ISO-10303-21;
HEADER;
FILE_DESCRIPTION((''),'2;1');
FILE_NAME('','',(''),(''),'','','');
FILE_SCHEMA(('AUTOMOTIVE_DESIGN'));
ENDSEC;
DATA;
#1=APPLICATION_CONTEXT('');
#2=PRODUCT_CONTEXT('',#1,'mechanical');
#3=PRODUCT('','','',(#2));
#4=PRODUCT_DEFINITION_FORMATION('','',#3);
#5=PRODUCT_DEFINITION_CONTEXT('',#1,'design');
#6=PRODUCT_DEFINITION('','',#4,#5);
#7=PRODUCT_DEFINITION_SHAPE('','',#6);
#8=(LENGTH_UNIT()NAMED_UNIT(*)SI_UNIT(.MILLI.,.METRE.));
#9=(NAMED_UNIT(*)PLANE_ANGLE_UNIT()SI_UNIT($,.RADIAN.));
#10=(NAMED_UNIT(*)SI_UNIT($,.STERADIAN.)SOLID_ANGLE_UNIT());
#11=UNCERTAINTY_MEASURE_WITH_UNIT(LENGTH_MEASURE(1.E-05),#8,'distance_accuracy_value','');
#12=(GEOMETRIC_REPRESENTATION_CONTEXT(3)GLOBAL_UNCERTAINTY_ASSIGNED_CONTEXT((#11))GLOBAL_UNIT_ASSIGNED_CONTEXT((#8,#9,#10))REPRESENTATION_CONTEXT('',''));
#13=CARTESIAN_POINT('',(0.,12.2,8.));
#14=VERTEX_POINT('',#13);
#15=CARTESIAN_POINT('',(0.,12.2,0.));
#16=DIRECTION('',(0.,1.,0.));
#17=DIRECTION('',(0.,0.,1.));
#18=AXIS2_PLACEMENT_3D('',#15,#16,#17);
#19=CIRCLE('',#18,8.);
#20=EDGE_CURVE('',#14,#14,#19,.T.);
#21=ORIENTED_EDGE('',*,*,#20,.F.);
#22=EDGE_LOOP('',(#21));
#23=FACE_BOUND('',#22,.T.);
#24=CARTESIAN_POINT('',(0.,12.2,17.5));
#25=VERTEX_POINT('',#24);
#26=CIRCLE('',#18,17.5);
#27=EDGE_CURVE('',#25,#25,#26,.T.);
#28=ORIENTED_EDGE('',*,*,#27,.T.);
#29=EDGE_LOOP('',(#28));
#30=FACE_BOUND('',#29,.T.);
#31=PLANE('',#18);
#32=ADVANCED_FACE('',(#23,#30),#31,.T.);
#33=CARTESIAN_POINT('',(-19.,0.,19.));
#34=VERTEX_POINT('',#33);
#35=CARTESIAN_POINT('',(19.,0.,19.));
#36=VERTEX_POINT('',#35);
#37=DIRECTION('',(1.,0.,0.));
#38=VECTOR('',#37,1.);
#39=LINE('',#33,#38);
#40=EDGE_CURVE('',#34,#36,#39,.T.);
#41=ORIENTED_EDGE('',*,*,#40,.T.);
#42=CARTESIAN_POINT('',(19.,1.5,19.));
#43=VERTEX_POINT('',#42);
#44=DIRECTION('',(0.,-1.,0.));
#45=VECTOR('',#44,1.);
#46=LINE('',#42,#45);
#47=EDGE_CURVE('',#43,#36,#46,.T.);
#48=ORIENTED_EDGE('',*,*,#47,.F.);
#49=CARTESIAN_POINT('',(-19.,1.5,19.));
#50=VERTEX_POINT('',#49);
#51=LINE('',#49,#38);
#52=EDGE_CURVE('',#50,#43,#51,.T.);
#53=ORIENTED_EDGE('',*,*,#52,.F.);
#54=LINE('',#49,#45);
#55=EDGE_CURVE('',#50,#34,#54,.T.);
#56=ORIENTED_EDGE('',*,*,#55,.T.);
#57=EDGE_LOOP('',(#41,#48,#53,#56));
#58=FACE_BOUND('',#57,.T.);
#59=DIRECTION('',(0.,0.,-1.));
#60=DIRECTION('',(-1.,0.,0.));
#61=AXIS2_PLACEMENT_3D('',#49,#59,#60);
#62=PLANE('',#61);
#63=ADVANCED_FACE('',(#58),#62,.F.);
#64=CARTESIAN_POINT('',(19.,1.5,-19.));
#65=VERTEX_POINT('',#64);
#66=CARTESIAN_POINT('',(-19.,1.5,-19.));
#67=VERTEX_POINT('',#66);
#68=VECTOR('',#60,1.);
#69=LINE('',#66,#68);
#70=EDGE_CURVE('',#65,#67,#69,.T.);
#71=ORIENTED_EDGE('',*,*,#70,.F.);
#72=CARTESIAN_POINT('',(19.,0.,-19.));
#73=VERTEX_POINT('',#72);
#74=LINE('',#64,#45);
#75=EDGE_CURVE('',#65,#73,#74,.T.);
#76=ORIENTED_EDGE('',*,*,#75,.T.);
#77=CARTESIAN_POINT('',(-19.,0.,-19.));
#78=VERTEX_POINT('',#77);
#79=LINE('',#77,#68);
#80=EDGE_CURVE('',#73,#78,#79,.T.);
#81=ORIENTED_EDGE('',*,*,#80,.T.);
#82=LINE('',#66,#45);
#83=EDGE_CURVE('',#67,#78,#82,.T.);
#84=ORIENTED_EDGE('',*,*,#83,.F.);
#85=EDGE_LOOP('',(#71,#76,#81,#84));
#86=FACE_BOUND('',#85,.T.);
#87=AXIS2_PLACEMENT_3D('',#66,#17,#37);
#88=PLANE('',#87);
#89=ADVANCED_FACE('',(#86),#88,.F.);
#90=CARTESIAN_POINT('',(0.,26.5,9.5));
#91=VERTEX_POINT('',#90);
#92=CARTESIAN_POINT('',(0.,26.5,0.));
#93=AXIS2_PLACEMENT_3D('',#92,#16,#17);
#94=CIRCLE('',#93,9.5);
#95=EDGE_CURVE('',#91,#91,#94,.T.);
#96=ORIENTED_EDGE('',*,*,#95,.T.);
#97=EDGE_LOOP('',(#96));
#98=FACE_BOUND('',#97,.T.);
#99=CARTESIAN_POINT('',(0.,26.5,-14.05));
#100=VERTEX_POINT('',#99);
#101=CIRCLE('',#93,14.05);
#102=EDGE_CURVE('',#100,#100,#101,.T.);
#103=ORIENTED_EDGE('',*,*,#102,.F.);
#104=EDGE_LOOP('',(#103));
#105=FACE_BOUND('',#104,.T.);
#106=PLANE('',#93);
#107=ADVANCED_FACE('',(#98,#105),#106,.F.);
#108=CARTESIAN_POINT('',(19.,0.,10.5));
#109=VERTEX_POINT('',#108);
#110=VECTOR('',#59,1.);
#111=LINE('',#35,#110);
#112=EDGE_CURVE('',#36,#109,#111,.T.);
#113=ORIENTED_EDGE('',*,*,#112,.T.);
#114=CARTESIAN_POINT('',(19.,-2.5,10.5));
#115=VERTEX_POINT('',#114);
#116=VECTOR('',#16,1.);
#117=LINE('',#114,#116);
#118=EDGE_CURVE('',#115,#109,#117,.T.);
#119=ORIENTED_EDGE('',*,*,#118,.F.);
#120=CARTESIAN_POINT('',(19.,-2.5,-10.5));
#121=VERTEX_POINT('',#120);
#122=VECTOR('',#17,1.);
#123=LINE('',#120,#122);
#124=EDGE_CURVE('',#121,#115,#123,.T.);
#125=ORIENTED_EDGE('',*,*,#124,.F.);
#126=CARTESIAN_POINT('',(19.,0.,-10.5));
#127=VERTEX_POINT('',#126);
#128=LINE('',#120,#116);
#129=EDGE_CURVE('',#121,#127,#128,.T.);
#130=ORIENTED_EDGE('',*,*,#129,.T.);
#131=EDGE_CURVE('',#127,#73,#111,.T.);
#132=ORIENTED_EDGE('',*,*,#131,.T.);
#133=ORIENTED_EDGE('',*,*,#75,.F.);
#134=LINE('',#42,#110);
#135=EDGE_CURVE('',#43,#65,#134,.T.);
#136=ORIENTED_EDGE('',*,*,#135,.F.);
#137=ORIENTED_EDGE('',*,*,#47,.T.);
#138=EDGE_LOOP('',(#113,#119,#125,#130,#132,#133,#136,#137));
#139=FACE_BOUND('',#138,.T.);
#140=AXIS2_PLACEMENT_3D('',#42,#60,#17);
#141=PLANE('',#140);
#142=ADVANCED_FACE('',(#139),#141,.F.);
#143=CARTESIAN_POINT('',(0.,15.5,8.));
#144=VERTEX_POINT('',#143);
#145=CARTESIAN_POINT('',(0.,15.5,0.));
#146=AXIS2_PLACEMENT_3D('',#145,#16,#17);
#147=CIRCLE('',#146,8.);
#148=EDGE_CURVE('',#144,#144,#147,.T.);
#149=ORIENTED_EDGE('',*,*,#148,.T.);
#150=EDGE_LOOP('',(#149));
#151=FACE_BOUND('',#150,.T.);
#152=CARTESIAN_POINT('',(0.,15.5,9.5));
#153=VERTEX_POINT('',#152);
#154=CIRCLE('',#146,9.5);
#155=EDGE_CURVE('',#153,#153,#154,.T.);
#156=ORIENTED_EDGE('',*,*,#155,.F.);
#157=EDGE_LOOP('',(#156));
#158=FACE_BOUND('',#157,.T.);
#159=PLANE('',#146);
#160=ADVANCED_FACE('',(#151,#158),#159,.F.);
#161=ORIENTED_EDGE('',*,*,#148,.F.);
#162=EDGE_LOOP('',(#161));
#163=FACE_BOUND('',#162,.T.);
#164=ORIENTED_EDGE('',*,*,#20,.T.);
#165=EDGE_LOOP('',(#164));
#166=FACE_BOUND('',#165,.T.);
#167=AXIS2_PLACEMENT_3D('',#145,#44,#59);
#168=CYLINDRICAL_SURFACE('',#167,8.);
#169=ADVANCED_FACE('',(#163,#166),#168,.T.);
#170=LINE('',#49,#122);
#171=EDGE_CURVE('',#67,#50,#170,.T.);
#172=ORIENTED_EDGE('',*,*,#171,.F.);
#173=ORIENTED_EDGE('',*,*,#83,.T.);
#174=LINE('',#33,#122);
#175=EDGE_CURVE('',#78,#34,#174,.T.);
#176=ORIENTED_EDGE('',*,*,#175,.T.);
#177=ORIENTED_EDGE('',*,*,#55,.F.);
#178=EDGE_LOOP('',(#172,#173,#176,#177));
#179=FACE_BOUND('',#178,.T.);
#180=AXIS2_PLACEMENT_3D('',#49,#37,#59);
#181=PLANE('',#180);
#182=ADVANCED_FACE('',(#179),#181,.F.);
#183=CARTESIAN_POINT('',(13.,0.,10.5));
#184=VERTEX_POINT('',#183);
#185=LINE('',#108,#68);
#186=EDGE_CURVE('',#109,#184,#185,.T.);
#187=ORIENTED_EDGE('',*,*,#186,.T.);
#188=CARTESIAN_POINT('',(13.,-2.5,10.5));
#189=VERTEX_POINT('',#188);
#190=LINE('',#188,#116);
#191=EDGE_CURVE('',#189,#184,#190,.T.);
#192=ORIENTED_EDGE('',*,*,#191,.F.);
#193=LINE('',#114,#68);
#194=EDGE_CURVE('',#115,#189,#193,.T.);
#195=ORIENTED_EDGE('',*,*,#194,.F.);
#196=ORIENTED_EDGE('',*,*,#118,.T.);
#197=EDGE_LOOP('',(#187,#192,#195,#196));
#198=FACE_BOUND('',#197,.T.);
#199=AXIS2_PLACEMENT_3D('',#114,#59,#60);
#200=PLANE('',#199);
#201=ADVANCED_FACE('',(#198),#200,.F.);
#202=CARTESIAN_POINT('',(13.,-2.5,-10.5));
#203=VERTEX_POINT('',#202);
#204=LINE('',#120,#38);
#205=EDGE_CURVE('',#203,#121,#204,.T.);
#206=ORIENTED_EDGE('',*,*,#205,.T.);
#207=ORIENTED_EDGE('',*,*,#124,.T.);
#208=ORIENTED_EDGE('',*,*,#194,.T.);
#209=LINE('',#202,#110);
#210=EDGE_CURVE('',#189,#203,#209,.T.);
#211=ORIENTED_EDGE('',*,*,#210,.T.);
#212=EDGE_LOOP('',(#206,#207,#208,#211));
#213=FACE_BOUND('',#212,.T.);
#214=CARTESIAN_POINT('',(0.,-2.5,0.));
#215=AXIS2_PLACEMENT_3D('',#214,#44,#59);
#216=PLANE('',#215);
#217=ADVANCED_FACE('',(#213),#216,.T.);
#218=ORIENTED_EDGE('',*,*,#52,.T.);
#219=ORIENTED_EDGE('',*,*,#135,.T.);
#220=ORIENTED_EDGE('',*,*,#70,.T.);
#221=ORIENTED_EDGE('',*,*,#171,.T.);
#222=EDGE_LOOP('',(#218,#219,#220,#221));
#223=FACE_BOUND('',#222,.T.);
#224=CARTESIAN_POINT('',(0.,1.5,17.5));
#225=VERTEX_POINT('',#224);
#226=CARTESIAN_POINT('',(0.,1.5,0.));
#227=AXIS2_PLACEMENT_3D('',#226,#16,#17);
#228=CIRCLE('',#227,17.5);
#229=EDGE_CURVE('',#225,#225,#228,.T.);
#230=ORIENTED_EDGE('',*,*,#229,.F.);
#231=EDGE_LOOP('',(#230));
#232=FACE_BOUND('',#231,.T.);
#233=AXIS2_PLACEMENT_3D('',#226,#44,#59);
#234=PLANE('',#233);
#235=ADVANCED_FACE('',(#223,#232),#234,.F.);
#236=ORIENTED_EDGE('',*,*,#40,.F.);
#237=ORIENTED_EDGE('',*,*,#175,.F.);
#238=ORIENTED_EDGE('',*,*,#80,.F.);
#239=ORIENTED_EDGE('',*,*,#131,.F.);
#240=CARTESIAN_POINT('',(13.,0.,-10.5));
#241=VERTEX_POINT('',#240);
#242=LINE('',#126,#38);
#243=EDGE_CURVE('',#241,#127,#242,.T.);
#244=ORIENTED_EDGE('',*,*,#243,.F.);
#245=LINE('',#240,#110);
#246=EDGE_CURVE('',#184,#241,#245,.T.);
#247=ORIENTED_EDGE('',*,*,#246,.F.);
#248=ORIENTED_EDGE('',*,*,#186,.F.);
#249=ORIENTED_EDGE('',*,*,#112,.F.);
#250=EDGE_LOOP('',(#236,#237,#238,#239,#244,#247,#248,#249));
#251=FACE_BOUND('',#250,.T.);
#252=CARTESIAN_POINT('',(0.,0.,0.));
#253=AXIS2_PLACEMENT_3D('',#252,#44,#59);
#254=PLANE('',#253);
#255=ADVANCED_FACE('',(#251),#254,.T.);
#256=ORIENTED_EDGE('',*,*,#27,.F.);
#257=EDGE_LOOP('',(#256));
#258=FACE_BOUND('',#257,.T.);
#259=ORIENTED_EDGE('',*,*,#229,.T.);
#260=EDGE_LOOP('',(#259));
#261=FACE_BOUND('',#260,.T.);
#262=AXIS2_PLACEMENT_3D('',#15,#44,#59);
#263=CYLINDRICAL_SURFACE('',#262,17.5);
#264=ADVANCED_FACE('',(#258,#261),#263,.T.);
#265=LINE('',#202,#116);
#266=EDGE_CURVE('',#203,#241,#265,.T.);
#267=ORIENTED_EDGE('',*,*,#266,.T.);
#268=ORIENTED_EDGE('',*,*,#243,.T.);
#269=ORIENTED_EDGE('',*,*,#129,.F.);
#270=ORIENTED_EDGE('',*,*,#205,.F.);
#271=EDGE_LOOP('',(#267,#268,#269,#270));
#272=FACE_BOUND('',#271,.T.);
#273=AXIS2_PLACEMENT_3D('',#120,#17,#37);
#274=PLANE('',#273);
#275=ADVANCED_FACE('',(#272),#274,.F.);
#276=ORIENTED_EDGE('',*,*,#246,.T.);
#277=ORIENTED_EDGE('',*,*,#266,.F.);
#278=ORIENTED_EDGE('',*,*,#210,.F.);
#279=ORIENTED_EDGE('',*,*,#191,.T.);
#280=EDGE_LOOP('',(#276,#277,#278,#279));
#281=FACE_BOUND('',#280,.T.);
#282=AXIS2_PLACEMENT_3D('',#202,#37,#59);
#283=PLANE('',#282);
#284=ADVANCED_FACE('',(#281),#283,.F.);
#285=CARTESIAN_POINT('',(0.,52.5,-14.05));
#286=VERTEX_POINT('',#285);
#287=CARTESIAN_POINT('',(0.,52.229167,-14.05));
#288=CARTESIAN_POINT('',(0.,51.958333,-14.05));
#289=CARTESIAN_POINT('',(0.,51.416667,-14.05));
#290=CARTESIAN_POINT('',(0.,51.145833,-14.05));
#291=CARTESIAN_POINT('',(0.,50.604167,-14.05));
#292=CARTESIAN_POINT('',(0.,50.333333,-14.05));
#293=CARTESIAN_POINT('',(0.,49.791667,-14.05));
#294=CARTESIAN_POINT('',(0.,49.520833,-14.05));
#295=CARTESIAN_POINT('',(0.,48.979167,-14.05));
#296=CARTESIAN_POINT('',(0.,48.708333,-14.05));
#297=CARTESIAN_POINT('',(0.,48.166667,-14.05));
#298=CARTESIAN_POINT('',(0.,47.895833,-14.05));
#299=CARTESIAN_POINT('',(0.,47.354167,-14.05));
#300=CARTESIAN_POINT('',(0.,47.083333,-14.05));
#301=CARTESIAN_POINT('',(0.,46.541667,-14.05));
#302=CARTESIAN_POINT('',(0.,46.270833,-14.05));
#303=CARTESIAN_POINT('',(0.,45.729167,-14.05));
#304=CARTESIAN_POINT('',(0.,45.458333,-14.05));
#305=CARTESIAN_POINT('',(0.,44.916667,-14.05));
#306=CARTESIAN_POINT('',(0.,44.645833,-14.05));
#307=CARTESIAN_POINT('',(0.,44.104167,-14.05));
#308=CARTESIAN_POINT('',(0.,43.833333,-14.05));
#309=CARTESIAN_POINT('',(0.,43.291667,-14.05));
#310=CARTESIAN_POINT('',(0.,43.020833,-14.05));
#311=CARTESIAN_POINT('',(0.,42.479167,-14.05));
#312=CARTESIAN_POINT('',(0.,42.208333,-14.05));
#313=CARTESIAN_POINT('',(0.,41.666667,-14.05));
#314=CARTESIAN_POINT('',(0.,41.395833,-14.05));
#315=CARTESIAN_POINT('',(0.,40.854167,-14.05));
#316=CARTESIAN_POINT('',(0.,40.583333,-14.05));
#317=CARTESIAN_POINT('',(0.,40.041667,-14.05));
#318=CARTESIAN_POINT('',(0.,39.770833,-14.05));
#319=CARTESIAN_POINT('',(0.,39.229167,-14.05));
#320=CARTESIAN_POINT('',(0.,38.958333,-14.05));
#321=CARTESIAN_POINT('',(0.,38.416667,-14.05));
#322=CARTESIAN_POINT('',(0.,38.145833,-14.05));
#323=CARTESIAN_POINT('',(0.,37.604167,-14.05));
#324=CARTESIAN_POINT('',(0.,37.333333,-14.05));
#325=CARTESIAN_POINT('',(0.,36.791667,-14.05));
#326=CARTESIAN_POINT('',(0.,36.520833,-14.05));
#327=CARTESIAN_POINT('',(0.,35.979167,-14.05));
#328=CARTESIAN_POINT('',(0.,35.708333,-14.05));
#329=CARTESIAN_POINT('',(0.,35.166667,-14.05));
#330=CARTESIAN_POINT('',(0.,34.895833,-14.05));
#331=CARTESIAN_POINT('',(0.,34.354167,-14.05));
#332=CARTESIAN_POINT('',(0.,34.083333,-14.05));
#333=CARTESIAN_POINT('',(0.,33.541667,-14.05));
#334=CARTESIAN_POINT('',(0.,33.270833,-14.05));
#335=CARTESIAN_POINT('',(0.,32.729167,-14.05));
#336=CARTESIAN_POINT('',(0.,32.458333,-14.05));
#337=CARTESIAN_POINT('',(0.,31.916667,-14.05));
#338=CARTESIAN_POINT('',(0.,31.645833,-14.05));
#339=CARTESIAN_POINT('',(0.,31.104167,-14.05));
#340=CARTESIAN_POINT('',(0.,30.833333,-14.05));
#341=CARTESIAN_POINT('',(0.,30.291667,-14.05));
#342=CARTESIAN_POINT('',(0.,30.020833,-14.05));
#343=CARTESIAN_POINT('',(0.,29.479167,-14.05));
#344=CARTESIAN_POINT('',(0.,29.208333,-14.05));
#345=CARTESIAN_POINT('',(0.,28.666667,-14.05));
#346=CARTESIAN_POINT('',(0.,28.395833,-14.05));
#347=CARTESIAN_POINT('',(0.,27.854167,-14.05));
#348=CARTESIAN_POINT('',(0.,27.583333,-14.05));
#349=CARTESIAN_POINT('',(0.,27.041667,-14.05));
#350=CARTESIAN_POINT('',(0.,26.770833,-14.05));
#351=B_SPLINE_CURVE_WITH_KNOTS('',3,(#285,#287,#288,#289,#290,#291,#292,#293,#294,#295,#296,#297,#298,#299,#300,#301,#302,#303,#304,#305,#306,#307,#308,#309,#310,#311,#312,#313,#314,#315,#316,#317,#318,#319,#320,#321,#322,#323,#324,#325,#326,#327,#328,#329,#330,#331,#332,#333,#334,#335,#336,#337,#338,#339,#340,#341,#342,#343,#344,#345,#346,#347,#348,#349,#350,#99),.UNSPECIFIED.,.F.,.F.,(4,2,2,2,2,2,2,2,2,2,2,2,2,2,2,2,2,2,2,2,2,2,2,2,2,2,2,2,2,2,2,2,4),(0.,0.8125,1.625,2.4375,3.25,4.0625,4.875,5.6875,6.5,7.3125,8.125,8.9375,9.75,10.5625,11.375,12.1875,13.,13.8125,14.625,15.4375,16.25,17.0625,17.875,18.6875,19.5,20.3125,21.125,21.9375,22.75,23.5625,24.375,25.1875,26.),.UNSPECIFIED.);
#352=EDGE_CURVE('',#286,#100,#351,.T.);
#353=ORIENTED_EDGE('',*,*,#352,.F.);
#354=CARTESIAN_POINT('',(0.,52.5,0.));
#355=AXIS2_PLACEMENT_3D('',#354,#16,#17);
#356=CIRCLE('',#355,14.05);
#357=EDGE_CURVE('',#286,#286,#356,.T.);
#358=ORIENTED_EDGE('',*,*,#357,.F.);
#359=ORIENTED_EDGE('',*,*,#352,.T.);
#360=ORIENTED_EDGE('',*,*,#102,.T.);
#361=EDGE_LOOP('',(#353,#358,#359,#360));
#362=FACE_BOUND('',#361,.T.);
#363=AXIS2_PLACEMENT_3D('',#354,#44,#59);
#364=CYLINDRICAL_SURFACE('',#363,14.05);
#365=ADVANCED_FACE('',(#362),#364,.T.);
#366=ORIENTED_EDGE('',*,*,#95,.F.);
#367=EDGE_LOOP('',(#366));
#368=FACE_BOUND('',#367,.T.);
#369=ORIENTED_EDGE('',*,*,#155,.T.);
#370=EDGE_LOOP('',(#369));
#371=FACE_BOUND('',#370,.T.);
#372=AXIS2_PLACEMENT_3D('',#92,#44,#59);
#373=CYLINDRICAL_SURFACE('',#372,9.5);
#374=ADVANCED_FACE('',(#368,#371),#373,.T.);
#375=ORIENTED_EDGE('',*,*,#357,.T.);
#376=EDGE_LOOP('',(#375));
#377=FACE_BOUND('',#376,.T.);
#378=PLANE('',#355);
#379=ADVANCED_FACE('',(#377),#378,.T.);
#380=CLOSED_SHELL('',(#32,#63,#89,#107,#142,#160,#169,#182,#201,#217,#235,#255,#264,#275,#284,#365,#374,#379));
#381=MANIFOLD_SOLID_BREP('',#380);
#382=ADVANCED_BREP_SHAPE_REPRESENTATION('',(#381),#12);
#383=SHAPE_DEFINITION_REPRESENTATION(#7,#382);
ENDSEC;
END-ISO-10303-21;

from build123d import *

# Parameters (mm, degrees)
SKETCH1_W           = 38
SKETCH1_H           = 38
BOSS_EXTRUDE1_DEPTH = 1.5
SKETCH2_R           = 17.5
BOSS_EXTRUDE2_DEPTH = 10.7
SKETCH3_R           = 8
BOSS_EXTRUDE3_DEPTH = 3.3
SKETCH4_R           = 9.5
BOSS_EXTRUDE4_DEPTH = 11
SKETCH5_R           = 14.05
BOSS_EXTRUDE5_DEPTH = 26
SKETCH7_W           = 6
SKETCH7_H           = 21
BOSS_EXTRUDE6_DEPTH = 2.5


with BuildPart() as part:
    # Sketch1 → Boss-Extrude1 (new body)
    with BuildSketch(Plane(origin=(0, 0, 0), x_dir=(1, 0, 0), z_dir=(0, 1, 0))):
        Rectangle(SKETCH1_W, SKETCH1_H)
    extrude(amount=BOSS_EXTRUDE1_DEPTH)

    # Sketch2 → Boss-Extrude2 (add)
    with BuildSketch(Plane(origin=(0, 1.5, 0), x_dir=(1, 0, 0), z_dir=(0, 1, 0))):
        with Locations(Location((0, 0, 0), (0, 0, 270))):
            Circle(SKETCH2_R)
    extrude(amount=BOSS_EXTRUDE2_DEPTH)

    # Sketch3 → Boss-Extrude3 (add)
    with BuildSketch(Plane(origin=(0, 12.2, 0), x_dir=(1, 0, 0), z_dir=(0, 1, 0))):
        with Locations(Location((0, 0, 0), (0, 0, 270))):
            Circle(SKETCH3_R)
    extrude(amount=BOSS_EXTRUDE3_DEPTH)

    # Sketch4 → Boss-Extrude4 (add)
    with BuildSketch(Plane(origin=(0, 15.5, 0), x_dir=(1, 0, 0), z_dir=(0, 1, 0))):
        with Locations(Location((0, 0, 0), (0, 0, 270))):
            Circle(SKETCH4_R)
    extrude(amount=BOSS_EXTRUDE4_DEPTH)

    # Sketch5 → Boss-Extrude5 (add)
    with BuildSketch(Plane(origin=(0, 26.5, 0), x_dir=(1, 0, 0), z_dir=(0, 1, 0))):
        with Locations(Location((0, 0, 0), (0, 0, 90))):
            Circle(SKETCH5_R)
    extrude(amount=BOSS_EXTRUDE5_DEPTH)

    # Sketch7 → Boss-Extrude6 (add)
    with BuildSketch(Plane.XZ):
        with Locations((16, 0)):
            Rectangle(SKETCH7_W, SKETCH7_H)
    extrude(amount=BOSS_EXTRUDE6_DEPTH)


solid = part.part
